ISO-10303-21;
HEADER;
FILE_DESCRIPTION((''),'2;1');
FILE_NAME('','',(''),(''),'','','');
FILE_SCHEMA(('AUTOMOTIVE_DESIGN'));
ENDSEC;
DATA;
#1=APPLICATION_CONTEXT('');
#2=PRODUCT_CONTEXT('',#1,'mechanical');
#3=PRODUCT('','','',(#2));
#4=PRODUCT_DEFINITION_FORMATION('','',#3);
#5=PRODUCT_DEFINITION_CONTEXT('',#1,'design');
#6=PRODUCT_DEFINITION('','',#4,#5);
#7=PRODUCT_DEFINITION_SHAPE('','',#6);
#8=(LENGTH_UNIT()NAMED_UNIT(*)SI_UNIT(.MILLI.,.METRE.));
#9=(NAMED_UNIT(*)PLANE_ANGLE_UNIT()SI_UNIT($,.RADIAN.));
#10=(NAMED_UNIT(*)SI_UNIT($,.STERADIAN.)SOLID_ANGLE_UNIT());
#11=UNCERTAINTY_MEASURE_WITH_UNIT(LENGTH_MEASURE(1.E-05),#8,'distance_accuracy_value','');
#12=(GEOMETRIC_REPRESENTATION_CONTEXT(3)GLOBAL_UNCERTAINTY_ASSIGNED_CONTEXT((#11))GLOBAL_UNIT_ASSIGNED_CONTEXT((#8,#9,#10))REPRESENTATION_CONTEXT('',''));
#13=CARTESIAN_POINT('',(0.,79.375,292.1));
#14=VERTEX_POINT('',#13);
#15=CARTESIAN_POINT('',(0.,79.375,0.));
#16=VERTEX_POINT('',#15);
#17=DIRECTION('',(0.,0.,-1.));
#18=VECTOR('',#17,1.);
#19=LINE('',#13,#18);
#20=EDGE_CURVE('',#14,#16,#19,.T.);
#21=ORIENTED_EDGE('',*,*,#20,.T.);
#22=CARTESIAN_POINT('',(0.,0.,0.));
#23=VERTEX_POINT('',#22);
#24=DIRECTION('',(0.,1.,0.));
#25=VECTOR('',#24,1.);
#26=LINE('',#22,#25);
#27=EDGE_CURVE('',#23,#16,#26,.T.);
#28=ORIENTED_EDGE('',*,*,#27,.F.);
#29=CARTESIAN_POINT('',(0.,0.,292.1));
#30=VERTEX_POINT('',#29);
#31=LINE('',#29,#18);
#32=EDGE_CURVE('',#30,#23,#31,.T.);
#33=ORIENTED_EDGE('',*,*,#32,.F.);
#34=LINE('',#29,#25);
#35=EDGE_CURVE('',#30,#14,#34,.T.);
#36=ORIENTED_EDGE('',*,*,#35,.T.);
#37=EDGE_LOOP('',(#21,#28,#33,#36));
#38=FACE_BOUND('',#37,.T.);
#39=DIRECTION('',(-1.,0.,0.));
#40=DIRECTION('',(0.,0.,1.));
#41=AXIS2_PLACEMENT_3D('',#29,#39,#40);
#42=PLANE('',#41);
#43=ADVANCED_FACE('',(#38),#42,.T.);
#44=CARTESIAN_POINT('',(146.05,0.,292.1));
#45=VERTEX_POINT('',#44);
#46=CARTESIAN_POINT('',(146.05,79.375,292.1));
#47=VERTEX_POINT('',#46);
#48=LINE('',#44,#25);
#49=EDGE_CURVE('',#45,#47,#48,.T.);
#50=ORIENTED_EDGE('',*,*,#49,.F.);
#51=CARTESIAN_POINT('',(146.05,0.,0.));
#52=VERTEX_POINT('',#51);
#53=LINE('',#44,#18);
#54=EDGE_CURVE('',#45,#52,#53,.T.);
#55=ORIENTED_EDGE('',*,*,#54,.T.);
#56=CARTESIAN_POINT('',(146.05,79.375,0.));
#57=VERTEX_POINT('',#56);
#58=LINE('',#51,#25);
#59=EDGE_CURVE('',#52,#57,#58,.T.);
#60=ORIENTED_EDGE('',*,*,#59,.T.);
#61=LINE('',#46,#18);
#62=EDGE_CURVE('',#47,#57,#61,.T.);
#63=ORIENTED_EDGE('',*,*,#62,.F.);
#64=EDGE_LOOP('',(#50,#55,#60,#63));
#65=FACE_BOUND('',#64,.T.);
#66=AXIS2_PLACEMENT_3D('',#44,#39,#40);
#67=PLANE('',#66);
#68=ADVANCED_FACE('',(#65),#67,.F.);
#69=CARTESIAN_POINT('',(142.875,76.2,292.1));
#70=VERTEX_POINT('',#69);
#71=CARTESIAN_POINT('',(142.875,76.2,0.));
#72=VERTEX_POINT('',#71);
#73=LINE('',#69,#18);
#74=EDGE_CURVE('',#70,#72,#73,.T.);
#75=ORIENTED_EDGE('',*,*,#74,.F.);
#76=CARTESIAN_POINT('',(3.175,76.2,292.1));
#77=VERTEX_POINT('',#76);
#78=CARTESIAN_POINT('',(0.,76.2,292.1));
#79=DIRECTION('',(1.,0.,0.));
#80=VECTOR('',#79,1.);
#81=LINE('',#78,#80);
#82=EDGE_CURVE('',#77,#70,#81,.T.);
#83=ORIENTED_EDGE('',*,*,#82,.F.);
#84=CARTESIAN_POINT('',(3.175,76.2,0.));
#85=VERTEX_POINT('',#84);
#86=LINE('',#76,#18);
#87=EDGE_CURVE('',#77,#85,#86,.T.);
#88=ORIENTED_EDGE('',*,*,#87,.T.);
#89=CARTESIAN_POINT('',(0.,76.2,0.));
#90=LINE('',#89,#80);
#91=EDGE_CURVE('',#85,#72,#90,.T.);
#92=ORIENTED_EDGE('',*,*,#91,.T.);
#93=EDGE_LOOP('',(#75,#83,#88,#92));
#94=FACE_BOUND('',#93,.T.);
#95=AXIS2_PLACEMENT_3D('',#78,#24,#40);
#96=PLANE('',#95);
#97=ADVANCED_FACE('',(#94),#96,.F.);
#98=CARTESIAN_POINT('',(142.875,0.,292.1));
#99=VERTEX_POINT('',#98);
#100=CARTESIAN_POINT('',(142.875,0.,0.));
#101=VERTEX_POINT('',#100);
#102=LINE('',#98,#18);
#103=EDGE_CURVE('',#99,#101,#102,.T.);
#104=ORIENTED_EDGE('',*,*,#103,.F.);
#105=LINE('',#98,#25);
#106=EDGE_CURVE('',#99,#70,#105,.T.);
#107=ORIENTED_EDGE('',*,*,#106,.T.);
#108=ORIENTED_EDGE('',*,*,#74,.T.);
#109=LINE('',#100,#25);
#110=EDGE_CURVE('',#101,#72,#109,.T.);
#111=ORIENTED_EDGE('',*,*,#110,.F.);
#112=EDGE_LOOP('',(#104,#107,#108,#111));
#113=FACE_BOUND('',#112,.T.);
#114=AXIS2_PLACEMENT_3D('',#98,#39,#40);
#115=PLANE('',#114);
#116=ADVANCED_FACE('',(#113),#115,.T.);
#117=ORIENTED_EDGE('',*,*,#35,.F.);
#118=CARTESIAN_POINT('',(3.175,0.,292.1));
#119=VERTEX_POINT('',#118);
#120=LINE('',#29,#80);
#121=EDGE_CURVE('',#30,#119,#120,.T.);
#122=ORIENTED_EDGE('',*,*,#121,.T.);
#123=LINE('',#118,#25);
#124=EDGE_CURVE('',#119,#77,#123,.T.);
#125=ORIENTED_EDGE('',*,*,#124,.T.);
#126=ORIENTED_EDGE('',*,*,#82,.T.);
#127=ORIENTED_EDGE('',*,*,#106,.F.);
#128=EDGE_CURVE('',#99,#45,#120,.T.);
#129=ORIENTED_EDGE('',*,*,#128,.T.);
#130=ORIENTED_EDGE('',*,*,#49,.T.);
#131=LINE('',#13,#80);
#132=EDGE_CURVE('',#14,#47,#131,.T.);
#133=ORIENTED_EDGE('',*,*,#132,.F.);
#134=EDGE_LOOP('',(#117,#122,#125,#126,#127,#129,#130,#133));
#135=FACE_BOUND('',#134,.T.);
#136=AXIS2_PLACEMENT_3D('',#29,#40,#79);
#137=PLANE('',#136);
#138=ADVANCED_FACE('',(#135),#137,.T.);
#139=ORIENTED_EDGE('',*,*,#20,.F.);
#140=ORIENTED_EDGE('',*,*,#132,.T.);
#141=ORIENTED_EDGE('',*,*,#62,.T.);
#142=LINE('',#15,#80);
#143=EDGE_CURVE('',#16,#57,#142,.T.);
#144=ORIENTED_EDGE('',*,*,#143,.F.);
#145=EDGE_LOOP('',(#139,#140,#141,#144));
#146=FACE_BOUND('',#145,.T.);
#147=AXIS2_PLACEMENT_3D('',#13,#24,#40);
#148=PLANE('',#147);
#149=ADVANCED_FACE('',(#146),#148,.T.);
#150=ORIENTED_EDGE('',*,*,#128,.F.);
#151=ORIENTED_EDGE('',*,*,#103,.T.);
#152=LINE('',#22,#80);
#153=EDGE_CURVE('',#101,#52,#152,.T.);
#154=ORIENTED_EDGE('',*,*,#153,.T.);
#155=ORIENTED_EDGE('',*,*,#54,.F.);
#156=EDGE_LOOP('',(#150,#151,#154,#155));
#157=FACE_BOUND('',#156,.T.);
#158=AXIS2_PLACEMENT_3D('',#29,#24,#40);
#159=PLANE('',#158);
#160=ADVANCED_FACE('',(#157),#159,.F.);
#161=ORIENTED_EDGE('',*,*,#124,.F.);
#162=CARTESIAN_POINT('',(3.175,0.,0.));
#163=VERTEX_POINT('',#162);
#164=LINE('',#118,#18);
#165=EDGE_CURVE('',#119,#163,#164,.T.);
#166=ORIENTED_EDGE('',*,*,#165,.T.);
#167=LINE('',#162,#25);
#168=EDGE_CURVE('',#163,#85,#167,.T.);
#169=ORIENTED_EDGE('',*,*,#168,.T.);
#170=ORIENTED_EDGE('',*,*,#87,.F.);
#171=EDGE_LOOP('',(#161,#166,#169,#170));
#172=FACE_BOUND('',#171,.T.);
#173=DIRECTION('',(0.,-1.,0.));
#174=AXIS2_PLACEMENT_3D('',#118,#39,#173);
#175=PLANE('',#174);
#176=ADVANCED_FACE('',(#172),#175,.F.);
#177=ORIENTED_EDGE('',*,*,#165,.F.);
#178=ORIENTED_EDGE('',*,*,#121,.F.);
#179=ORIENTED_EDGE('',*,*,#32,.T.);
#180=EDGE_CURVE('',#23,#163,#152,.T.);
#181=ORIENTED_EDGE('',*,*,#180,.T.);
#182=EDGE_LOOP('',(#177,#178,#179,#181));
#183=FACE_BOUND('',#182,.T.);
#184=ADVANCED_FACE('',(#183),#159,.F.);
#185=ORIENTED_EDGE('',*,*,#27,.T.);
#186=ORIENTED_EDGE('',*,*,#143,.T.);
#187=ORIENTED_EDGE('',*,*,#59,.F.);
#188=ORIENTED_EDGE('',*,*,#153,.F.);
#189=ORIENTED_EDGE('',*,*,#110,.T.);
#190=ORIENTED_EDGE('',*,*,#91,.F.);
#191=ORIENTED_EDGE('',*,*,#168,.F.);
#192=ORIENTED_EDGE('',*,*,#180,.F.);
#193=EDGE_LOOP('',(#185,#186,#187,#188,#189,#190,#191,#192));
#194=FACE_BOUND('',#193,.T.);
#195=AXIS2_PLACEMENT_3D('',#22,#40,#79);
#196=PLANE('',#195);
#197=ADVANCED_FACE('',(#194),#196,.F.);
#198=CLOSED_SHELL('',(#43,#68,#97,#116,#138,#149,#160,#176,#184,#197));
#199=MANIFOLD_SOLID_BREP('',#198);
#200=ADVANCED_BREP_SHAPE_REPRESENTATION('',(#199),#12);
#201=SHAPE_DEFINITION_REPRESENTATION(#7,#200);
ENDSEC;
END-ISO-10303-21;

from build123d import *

# Parameters (mm, degrees)
BOSS_EXTRUDE1_DEPTH = 292.1


with BuildPart() as part:
    # Sketch1 → Boss-Extrude1 (new body)
    with BuildSketch(Plane.XY):
        Polygon((0, 79.375), (0, 0), (3.175, 0), (3.175, 76.2), (142.875, 76.2), (142.875, 0), (146.05, 0), (146.05, 79.375), align=None)
    extrude(amount=BOSS_EXTRUDE1_DEPTH)


solid = part.part
